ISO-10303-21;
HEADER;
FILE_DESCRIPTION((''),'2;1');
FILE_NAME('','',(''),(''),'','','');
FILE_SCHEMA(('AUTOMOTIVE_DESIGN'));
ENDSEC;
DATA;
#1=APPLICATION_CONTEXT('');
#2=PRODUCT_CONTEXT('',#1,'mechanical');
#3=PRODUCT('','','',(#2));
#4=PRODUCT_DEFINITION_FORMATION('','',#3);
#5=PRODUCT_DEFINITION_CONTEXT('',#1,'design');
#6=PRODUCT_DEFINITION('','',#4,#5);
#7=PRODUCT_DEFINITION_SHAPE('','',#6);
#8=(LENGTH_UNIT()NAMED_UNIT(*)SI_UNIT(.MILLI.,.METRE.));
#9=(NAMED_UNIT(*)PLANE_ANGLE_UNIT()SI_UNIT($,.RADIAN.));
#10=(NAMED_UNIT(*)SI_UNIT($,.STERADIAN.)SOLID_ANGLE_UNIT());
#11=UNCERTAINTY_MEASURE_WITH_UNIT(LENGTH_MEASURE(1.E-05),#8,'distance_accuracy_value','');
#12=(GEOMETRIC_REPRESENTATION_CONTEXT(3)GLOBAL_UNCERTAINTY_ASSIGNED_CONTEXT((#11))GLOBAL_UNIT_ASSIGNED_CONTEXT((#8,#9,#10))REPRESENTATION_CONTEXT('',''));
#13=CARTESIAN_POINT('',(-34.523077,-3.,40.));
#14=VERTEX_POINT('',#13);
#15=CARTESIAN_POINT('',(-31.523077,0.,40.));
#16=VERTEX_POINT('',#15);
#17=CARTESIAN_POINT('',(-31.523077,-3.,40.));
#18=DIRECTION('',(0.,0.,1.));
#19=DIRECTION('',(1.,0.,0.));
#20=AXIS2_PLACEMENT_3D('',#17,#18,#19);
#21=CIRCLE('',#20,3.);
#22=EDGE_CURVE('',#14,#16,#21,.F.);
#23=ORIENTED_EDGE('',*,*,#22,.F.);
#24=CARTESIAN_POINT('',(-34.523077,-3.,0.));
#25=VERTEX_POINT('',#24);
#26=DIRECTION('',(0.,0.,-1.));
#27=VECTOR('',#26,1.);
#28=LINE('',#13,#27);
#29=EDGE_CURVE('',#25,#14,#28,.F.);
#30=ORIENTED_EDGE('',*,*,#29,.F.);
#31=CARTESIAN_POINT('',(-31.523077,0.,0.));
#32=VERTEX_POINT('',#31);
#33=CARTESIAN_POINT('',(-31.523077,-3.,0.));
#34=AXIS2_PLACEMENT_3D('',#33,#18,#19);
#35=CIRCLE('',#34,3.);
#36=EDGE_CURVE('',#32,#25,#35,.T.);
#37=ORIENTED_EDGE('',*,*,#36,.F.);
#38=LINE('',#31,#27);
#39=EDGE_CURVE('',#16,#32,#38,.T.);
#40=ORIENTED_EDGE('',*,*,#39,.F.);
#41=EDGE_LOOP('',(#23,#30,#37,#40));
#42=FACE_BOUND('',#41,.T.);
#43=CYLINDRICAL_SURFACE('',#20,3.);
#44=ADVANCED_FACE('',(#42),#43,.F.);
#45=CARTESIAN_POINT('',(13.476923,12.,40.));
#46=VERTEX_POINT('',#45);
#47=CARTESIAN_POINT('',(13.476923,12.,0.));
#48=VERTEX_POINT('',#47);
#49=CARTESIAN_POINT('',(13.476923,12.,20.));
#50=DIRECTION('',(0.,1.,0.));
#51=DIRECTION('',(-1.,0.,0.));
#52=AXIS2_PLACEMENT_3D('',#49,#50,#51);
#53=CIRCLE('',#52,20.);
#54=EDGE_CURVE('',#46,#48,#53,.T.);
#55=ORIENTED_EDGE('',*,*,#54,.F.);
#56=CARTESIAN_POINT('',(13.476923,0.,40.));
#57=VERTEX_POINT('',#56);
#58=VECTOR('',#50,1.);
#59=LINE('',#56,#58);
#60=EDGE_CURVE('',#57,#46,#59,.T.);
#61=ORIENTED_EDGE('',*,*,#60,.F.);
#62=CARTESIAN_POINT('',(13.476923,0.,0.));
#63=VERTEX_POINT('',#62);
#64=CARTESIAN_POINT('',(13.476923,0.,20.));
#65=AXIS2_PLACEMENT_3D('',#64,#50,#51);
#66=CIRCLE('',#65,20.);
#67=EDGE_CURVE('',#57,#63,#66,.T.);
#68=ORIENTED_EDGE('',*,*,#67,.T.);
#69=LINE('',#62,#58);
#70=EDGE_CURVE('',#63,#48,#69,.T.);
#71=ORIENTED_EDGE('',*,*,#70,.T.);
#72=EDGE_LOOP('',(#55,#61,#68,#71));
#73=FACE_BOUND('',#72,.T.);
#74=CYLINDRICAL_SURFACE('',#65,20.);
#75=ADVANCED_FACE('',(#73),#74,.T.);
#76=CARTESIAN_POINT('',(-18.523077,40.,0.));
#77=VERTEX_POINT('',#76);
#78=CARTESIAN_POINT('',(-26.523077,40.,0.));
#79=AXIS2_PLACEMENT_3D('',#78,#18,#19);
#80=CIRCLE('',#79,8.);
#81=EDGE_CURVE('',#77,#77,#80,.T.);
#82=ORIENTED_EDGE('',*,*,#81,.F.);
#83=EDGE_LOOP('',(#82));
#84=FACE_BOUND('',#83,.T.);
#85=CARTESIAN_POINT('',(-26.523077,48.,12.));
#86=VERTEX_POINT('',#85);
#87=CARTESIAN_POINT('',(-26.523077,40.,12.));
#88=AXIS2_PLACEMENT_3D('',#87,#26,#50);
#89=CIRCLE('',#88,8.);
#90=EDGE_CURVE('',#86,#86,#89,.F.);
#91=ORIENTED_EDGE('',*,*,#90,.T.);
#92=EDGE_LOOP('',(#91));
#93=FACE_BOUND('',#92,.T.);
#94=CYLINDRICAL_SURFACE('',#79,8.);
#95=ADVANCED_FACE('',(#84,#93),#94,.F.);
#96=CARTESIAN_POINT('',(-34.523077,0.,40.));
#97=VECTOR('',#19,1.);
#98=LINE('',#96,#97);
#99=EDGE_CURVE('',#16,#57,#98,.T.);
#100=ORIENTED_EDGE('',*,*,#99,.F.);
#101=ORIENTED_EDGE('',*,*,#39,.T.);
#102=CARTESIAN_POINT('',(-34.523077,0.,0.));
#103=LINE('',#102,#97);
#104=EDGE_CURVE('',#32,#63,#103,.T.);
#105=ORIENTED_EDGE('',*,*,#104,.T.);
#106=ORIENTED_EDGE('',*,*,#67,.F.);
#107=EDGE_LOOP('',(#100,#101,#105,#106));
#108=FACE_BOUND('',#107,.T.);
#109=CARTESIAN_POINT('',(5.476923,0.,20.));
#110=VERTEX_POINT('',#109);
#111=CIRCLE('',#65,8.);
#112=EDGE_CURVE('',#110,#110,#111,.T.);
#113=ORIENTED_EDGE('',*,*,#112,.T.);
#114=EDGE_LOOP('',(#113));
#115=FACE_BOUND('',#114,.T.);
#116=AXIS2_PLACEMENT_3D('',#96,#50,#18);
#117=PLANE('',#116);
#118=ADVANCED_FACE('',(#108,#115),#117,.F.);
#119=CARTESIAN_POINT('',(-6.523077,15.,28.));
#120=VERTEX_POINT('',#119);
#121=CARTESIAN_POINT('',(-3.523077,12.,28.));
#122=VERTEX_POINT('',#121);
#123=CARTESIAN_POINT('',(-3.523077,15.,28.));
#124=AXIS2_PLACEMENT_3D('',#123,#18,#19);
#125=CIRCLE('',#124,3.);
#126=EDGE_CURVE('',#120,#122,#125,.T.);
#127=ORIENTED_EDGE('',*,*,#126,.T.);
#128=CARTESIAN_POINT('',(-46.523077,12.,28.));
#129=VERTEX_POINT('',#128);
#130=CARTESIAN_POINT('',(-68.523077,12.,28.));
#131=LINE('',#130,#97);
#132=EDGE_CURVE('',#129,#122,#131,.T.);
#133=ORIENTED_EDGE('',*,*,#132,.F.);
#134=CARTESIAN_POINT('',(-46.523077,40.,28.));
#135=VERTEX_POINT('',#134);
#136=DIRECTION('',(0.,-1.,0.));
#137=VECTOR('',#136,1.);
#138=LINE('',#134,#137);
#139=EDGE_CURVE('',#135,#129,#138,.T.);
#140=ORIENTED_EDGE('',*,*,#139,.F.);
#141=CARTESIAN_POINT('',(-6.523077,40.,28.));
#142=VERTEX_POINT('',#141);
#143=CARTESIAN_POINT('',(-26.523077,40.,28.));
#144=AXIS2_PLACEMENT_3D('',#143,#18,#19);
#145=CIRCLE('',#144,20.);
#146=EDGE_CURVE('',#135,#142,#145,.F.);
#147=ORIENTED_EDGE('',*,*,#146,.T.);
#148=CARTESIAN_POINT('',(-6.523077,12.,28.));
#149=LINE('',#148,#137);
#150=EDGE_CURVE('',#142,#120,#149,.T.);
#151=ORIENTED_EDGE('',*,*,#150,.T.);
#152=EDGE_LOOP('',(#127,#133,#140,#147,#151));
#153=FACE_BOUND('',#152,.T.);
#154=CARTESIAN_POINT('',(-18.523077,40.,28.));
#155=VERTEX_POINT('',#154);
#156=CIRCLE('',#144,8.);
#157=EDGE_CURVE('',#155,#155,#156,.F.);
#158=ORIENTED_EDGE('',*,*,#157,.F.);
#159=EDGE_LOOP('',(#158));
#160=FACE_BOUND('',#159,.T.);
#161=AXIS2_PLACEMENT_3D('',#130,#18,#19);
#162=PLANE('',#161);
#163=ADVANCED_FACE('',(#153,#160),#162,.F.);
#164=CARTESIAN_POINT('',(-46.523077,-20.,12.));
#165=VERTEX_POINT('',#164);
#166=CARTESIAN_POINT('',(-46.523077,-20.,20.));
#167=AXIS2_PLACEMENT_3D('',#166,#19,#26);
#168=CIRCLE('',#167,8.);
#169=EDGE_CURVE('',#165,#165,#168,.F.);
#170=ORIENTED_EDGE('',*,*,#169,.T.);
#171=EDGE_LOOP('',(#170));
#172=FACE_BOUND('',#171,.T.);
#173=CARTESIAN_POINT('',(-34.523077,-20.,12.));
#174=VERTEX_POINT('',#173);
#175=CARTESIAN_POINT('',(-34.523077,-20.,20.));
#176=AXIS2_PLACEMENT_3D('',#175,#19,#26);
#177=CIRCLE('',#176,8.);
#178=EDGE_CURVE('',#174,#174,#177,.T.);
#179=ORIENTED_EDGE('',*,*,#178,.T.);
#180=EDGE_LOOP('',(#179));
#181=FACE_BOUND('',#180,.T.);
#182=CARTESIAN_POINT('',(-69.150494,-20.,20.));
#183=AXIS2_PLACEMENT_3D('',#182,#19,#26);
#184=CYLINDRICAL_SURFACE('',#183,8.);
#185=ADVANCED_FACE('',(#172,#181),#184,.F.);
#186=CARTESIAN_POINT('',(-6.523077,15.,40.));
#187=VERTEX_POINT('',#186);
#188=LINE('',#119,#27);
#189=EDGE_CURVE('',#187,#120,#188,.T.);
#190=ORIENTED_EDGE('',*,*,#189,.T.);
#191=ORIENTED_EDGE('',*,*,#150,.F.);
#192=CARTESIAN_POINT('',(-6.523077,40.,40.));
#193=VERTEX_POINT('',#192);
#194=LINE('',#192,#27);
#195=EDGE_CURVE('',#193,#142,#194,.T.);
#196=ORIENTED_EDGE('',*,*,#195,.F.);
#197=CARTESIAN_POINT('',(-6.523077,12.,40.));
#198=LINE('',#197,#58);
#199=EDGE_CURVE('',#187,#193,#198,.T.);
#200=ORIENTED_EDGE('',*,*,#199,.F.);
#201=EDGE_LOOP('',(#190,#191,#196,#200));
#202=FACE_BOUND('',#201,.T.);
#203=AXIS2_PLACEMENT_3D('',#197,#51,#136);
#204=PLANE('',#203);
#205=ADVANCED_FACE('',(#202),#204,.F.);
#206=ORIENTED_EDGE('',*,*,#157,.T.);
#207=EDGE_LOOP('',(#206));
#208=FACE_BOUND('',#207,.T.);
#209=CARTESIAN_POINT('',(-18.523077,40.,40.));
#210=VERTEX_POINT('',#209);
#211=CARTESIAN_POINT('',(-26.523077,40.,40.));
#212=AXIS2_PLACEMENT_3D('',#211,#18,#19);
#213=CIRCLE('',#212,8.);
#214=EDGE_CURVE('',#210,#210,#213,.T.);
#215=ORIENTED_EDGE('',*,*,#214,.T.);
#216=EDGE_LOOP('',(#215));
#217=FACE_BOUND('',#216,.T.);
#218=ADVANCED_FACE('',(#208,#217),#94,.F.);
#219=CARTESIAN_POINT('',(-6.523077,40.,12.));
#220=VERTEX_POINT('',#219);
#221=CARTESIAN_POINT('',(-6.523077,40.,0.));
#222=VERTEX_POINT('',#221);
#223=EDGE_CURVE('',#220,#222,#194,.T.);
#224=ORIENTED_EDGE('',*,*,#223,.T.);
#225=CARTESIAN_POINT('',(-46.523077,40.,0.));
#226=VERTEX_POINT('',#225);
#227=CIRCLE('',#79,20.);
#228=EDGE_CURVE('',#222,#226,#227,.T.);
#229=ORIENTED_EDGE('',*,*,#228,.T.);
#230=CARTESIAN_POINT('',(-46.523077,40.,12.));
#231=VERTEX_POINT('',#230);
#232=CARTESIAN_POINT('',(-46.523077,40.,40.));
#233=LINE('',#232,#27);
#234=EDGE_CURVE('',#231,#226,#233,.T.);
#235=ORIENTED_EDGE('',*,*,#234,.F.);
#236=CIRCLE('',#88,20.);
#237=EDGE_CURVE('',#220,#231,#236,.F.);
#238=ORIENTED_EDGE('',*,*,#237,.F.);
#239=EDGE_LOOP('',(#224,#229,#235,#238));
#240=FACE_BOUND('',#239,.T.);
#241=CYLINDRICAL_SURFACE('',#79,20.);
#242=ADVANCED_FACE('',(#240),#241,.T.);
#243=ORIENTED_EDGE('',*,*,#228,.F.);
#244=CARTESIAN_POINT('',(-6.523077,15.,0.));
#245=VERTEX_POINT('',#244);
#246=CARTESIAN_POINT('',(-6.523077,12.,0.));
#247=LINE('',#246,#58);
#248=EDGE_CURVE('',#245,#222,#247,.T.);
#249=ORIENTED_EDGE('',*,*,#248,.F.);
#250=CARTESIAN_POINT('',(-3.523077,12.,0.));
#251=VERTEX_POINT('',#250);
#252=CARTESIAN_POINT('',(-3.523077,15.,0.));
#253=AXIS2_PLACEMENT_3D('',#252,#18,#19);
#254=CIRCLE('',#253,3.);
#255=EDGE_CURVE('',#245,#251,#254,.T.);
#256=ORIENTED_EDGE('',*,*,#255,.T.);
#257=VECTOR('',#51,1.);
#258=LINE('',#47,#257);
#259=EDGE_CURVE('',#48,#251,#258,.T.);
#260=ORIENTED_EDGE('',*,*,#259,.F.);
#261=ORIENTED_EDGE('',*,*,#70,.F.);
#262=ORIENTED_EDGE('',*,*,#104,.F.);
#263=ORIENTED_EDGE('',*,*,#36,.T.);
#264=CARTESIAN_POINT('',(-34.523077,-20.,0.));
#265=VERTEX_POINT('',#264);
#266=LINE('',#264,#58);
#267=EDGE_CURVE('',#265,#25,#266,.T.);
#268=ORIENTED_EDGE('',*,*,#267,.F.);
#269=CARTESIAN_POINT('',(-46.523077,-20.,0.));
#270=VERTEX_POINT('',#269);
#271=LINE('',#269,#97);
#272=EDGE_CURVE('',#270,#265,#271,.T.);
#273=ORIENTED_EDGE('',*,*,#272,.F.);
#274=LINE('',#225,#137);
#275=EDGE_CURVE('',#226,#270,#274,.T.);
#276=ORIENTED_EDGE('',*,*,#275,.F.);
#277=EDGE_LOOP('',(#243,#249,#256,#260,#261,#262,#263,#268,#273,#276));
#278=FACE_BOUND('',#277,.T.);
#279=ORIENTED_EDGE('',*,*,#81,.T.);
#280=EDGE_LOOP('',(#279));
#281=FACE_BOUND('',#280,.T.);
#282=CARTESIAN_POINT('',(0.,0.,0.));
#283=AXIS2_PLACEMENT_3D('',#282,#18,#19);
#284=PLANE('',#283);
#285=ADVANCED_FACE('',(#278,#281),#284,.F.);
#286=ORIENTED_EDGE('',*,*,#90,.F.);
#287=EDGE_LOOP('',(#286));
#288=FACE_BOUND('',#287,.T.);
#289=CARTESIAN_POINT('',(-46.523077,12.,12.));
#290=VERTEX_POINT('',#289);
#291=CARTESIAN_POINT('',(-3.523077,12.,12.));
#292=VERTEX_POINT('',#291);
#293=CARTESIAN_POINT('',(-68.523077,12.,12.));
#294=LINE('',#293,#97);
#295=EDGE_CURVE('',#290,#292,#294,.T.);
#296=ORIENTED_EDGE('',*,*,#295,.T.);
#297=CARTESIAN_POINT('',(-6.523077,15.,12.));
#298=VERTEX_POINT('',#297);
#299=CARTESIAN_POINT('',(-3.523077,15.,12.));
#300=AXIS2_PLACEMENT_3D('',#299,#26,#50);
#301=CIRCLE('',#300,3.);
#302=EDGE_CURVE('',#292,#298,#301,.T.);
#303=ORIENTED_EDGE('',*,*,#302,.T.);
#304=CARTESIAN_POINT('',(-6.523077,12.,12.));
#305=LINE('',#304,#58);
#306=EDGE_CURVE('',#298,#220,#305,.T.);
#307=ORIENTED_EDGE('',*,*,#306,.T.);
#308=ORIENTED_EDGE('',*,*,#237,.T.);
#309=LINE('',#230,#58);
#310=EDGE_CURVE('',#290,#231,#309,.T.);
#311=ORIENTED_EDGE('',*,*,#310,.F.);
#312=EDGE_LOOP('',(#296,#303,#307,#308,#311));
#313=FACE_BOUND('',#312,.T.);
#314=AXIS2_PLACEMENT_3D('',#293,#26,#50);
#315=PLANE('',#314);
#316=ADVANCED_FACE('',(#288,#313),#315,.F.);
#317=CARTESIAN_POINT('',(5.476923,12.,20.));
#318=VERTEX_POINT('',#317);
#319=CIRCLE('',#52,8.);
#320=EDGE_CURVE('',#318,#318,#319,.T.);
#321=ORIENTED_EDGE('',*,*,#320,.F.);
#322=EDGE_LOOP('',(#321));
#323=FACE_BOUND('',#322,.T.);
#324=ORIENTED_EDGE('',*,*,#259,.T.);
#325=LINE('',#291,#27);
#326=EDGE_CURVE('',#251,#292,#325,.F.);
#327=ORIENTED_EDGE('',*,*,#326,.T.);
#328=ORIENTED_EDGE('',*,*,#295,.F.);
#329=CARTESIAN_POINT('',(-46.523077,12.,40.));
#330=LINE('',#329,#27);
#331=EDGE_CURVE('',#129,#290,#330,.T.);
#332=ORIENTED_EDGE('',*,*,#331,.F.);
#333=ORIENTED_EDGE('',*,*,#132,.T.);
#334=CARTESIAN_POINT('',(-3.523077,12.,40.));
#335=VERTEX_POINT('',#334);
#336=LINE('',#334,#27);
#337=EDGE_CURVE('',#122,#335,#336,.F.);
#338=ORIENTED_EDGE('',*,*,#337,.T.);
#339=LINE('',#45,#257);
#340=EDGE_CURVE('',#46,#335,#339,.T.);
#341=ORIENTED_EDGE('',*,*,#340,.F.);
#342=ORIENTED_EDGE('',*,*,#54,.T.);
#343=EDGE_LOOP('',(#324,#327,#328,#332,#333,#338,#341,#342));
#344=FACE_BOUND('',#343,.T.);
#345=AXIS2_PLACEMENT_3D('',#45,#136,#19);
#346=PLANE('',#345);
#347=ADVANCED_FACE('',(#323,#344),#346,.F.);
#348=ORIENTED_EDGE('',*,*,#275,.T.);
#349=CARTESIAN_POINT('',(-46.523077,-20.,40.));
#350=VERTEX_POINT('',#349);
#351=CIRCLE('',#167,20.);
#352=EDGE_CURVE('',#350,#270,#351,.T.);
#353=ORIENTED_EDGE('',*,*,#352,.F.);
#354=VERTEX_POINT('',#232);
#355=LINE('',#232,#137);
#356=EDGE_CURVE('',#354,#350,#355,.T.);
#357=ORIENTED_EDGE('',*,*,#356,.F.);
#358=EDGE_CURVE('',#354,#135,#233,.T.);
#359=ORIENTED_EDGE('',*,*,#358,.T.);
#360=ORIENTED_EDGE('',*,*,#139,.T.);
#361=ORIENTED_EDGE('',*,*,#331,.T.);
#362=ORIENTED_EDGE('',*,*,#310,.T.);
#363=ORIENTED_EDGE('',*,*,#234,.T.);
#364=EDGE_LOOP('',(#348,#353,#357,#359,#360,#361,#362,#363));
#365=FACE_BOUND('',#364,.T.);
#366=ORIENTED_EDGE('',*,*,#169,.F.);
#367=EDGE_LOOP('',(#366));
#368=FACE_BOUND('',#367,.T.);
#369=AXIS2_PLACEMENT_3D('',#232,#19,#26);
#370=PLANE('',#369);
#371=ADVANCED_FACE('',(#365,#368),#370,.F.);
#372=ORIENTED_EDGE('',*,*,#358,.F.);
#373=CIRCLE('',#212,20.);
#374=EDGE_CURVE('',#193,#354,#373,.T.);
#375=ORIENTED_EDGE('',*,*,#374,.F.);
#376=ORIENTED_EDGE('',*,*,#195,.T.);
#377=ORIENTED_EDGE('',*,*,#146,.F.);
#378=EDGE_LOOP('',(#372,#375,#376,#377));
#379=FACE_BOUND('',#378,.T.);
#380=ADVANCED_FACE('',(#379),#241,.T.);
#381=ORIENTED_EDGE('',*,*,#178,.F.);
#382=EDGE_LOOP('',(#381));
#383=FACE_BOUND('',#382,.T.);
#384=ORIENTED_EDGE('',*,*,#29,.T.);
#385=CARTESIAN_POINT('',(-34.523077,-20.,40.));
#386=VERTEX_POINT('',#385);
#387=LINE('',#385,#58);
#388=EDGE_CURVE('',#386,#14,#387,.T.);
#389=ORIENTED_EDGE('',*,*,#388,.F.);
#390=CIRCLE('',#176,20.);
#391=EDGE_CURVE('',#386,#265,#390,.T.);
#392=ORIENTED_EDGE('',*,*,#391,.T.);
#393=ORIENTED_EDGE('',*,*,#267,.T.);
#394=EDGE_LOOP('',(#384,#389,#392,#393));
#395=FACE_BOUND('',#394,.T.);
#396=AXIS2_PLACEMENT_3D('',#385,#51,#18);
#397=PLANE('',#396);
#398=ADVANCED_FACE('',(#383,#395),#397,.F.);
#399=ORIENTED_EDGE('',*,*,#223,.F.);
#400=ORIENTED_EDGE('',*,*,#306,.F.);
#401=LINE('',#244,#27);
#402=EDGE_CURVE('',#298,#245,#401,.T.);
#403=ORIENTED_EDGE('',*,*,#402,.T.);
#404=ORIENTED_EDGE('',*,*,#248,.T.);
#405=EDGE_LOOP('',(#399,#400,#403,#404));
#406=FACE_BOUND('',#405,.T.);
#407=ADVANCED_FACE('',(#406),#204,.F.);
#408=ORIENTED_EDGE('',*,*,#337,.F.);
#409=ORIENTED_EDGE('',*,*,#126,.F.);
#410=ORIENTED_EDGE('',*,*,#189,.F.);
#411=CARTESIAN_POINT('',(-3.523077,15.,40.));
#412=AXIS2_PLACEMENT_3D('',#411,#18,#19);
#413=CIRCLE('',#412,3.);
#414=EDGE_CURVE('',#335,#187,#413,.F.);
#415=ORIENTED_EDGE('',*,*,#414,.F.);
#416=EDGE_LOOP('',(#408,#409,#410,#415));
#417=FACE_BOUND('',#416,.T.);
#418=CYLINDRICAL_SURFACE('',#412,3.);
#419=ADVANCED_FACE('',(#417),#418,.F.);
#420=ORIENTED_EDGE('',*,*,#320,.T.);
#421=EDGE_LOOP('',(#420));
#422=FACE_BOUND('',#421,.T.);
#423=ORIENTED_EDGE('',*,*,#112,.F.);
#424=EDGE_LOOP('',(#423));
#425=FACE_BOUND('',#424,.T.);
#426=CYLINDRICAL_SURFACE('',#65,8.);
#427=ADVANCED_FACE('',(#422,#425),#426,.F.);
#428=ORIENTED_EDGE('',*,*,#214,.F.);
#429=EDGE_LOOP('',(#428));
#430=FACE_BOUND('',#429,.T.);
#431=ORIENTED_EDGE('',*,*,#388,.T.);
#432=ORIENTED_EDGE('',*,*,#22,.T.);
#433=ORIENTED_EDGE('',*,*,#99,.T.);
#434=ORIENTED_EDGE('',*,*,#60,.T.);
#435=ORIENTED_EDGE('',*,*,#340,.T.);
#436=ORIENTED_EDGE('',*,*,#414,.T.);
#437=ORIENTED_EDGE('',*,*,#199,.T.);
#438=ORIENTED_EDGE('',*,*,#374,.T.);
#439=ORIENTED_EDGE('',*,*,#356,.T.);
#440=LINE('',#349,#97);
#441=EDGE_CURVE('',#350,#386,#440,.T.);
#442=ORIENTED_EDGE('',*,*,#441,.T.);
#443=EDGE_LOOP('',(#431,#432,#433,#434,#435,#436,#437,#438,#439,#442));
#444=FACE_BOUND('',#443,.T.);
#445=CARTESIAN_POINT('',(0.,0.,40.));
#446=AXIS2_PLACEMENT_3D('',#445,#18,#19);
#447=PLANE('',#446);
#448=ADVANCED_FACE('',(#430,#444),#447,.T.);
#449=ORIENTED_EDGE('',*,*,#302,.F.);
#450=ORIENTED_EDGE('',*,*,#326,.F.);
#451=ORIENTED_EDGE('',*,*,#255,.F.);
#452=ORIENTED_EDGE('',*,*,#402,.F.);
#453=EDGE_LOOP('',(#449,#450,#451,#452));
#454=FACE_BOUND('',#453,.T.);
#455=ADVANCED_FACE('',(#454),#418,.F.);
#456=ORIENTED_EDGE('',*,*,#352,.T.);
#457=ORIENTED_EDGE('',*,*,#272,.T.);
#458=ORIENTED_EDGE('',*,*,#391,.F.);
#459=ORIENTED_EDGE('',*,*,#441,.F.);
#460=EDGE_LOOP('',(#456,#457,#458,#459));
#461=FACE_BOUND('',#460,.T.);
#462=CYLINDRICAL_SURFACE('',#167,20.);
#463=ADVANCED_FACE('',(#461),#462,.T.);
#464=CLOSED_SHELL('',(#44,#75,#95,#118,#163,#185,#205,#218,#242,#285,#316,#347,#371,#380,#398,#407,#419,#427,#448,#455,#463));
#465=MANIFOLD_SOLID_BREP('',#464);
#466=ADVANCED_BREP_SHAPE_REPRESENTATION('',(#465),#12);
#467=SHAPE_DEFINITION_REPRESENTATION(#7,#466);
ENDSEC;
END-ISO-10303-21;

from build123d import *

# Parameters (mm, degrees)
BOSS_EXTRUDE1_DEPTH = 40
BOSS_EXTRUDE2_DEPTH = 12
SKETCH4_R           = 8
CUT_EXTRUDE1_DEPTH  = 12
BOSS_EXTRUDE3_DEPTH = 12
SKETCH6_R           = 8
CUT_EXTRUDE2_DEPTH  = 12
BOSS_EXTRUDE4_DEPTH = 40
SKETCH9_R           = 8
CUT_EXTRUDE3_DEPTH  = 40
SKETCH10_W          = 16
SKETCH10_H          = 52.648113389
CUT_EXTRUDE4_DEPTH  = 62
FILLET1_R           = 3


with BuildPart() as part:
    # Sketch1 → Boss-Extrude1 (new body)
    with BuildSketch(Plane.XY):
        Polygon((-46.523076923, -20), (-34.523076923, -20), (-34.523076923, 0), (13.476923077, 0), (13.476923077, 12), (-6.523076923, 12), (-6.523076923, 40), (-46.523076923, 40), align=None)
    extrude(amount=BOSS_EXTRUDE1_DEPTH)

    # Sketch3 → Boss-Extrude2 (add)
    with BuildSketch(Plane(origin=(-34.523076923, 0, 0), x_dir=(0, 0, -1), z_dir=(1, 0, 0))):
        with BuildLine():
            Line((-40, -20), (0, -20))
            ThreePointArc((0, -20), (-20, -40), (-40, -20))
        make_face()
    extrude(amount=-BOSS_EXTRUDE2_DEPTH)

    # Sketch4 → Cut-Extrude1 (cut)
    with BuildSketch(Plane(origin=(-34.523076923, 0, 0), x_dir=(0, 0, -1), z_dir=(1, 0, 0))):
        with Locations((-20, -20)):
            Circle(SKETCH4_R)
    extrude(amount=-CUT_EXTRUDE1_DEPTH, mode=Mode.SUBTRACT)

    # Sketch5 → Boss-Extrude3 (add)
    with BuildSketch(Plane(origin=(0, 12, 0), x_dir=(1, 0, 0), z_dir=(0, 1, 0))):
        with BuildLine():
            Line((13.476923077, 0), (13.476923077, -40))
            ThreePointArc((13.476923077, -40), (33.476923077, -20), (13.476923077, 0))
        make_face()
    extrude(amount=-BOSS_EXTRUDE3_DEPTH)

    # Sketch6 → Cut-Extrude2 (cut)
    with BuildSketch(Plane(origin=(0, 12, 0), x_dir=(1, 0, 0), z_dir=(0, 1, 0))):
        with Locations(Location((13.476923077, -20, 0), (0, 0, 180))):
            Circle(SKETCH6_R)
    extrude(amount=-CUT_EXTRUDE2_DEPTH, mode=Mode.SUBTRACT)

    # Sketch8 → Boss-Extrude4 (add)
    with BuildSketch(Plane.XY.offset(40)):
        with BuildLine():
            Line((-46.523076923, 40), (-6.523076923, 40))
            ThreePointArc((-6.523076923, 40), (-26.523076923, 60), (-46.523076923, 40))
        make_face()
    extrude(amount=-BOSS_EXTRUDE4_DEPTH)

    # Sketch9 → Cut-Extrude3 (cut)
    with BuildSketch(Plane.XY.offset(40)):
        with Locations((-26.523076923, 40)):
            Circle(SKETCH9_R)
    extrude(amount=-CUT_EXTRUDE3_DEPTH, mode=Mode.SUBTRACT)

    # Sketch10 → Cut-Extrude4 (cut)
    with BuildSketch(Plane(origin=(-6.523076923, 0, 0), x_dir=(0, 0, -1), z_dir=(1, 0, 0))):
        with Locations((-20, 38.324056695)):
            Rectangle(SKETCH10_W, SKETCH10_H)
    extrude(amount=-CUT_EXTRUDE4_DEPTH, mode=Mode.SUBTRACT)

    # Fillet1
    fillet1_edges = [part.edges().sort_by_distance(p)[0] for p in [
        (-6.523076923, 12, 34),
        (-34.523076923, 0, 20),
        (-6.523076923, 12, 6),
    ]]
    fillet(fillet1_edges, radius=FILLET1_R)


solid = part.part
